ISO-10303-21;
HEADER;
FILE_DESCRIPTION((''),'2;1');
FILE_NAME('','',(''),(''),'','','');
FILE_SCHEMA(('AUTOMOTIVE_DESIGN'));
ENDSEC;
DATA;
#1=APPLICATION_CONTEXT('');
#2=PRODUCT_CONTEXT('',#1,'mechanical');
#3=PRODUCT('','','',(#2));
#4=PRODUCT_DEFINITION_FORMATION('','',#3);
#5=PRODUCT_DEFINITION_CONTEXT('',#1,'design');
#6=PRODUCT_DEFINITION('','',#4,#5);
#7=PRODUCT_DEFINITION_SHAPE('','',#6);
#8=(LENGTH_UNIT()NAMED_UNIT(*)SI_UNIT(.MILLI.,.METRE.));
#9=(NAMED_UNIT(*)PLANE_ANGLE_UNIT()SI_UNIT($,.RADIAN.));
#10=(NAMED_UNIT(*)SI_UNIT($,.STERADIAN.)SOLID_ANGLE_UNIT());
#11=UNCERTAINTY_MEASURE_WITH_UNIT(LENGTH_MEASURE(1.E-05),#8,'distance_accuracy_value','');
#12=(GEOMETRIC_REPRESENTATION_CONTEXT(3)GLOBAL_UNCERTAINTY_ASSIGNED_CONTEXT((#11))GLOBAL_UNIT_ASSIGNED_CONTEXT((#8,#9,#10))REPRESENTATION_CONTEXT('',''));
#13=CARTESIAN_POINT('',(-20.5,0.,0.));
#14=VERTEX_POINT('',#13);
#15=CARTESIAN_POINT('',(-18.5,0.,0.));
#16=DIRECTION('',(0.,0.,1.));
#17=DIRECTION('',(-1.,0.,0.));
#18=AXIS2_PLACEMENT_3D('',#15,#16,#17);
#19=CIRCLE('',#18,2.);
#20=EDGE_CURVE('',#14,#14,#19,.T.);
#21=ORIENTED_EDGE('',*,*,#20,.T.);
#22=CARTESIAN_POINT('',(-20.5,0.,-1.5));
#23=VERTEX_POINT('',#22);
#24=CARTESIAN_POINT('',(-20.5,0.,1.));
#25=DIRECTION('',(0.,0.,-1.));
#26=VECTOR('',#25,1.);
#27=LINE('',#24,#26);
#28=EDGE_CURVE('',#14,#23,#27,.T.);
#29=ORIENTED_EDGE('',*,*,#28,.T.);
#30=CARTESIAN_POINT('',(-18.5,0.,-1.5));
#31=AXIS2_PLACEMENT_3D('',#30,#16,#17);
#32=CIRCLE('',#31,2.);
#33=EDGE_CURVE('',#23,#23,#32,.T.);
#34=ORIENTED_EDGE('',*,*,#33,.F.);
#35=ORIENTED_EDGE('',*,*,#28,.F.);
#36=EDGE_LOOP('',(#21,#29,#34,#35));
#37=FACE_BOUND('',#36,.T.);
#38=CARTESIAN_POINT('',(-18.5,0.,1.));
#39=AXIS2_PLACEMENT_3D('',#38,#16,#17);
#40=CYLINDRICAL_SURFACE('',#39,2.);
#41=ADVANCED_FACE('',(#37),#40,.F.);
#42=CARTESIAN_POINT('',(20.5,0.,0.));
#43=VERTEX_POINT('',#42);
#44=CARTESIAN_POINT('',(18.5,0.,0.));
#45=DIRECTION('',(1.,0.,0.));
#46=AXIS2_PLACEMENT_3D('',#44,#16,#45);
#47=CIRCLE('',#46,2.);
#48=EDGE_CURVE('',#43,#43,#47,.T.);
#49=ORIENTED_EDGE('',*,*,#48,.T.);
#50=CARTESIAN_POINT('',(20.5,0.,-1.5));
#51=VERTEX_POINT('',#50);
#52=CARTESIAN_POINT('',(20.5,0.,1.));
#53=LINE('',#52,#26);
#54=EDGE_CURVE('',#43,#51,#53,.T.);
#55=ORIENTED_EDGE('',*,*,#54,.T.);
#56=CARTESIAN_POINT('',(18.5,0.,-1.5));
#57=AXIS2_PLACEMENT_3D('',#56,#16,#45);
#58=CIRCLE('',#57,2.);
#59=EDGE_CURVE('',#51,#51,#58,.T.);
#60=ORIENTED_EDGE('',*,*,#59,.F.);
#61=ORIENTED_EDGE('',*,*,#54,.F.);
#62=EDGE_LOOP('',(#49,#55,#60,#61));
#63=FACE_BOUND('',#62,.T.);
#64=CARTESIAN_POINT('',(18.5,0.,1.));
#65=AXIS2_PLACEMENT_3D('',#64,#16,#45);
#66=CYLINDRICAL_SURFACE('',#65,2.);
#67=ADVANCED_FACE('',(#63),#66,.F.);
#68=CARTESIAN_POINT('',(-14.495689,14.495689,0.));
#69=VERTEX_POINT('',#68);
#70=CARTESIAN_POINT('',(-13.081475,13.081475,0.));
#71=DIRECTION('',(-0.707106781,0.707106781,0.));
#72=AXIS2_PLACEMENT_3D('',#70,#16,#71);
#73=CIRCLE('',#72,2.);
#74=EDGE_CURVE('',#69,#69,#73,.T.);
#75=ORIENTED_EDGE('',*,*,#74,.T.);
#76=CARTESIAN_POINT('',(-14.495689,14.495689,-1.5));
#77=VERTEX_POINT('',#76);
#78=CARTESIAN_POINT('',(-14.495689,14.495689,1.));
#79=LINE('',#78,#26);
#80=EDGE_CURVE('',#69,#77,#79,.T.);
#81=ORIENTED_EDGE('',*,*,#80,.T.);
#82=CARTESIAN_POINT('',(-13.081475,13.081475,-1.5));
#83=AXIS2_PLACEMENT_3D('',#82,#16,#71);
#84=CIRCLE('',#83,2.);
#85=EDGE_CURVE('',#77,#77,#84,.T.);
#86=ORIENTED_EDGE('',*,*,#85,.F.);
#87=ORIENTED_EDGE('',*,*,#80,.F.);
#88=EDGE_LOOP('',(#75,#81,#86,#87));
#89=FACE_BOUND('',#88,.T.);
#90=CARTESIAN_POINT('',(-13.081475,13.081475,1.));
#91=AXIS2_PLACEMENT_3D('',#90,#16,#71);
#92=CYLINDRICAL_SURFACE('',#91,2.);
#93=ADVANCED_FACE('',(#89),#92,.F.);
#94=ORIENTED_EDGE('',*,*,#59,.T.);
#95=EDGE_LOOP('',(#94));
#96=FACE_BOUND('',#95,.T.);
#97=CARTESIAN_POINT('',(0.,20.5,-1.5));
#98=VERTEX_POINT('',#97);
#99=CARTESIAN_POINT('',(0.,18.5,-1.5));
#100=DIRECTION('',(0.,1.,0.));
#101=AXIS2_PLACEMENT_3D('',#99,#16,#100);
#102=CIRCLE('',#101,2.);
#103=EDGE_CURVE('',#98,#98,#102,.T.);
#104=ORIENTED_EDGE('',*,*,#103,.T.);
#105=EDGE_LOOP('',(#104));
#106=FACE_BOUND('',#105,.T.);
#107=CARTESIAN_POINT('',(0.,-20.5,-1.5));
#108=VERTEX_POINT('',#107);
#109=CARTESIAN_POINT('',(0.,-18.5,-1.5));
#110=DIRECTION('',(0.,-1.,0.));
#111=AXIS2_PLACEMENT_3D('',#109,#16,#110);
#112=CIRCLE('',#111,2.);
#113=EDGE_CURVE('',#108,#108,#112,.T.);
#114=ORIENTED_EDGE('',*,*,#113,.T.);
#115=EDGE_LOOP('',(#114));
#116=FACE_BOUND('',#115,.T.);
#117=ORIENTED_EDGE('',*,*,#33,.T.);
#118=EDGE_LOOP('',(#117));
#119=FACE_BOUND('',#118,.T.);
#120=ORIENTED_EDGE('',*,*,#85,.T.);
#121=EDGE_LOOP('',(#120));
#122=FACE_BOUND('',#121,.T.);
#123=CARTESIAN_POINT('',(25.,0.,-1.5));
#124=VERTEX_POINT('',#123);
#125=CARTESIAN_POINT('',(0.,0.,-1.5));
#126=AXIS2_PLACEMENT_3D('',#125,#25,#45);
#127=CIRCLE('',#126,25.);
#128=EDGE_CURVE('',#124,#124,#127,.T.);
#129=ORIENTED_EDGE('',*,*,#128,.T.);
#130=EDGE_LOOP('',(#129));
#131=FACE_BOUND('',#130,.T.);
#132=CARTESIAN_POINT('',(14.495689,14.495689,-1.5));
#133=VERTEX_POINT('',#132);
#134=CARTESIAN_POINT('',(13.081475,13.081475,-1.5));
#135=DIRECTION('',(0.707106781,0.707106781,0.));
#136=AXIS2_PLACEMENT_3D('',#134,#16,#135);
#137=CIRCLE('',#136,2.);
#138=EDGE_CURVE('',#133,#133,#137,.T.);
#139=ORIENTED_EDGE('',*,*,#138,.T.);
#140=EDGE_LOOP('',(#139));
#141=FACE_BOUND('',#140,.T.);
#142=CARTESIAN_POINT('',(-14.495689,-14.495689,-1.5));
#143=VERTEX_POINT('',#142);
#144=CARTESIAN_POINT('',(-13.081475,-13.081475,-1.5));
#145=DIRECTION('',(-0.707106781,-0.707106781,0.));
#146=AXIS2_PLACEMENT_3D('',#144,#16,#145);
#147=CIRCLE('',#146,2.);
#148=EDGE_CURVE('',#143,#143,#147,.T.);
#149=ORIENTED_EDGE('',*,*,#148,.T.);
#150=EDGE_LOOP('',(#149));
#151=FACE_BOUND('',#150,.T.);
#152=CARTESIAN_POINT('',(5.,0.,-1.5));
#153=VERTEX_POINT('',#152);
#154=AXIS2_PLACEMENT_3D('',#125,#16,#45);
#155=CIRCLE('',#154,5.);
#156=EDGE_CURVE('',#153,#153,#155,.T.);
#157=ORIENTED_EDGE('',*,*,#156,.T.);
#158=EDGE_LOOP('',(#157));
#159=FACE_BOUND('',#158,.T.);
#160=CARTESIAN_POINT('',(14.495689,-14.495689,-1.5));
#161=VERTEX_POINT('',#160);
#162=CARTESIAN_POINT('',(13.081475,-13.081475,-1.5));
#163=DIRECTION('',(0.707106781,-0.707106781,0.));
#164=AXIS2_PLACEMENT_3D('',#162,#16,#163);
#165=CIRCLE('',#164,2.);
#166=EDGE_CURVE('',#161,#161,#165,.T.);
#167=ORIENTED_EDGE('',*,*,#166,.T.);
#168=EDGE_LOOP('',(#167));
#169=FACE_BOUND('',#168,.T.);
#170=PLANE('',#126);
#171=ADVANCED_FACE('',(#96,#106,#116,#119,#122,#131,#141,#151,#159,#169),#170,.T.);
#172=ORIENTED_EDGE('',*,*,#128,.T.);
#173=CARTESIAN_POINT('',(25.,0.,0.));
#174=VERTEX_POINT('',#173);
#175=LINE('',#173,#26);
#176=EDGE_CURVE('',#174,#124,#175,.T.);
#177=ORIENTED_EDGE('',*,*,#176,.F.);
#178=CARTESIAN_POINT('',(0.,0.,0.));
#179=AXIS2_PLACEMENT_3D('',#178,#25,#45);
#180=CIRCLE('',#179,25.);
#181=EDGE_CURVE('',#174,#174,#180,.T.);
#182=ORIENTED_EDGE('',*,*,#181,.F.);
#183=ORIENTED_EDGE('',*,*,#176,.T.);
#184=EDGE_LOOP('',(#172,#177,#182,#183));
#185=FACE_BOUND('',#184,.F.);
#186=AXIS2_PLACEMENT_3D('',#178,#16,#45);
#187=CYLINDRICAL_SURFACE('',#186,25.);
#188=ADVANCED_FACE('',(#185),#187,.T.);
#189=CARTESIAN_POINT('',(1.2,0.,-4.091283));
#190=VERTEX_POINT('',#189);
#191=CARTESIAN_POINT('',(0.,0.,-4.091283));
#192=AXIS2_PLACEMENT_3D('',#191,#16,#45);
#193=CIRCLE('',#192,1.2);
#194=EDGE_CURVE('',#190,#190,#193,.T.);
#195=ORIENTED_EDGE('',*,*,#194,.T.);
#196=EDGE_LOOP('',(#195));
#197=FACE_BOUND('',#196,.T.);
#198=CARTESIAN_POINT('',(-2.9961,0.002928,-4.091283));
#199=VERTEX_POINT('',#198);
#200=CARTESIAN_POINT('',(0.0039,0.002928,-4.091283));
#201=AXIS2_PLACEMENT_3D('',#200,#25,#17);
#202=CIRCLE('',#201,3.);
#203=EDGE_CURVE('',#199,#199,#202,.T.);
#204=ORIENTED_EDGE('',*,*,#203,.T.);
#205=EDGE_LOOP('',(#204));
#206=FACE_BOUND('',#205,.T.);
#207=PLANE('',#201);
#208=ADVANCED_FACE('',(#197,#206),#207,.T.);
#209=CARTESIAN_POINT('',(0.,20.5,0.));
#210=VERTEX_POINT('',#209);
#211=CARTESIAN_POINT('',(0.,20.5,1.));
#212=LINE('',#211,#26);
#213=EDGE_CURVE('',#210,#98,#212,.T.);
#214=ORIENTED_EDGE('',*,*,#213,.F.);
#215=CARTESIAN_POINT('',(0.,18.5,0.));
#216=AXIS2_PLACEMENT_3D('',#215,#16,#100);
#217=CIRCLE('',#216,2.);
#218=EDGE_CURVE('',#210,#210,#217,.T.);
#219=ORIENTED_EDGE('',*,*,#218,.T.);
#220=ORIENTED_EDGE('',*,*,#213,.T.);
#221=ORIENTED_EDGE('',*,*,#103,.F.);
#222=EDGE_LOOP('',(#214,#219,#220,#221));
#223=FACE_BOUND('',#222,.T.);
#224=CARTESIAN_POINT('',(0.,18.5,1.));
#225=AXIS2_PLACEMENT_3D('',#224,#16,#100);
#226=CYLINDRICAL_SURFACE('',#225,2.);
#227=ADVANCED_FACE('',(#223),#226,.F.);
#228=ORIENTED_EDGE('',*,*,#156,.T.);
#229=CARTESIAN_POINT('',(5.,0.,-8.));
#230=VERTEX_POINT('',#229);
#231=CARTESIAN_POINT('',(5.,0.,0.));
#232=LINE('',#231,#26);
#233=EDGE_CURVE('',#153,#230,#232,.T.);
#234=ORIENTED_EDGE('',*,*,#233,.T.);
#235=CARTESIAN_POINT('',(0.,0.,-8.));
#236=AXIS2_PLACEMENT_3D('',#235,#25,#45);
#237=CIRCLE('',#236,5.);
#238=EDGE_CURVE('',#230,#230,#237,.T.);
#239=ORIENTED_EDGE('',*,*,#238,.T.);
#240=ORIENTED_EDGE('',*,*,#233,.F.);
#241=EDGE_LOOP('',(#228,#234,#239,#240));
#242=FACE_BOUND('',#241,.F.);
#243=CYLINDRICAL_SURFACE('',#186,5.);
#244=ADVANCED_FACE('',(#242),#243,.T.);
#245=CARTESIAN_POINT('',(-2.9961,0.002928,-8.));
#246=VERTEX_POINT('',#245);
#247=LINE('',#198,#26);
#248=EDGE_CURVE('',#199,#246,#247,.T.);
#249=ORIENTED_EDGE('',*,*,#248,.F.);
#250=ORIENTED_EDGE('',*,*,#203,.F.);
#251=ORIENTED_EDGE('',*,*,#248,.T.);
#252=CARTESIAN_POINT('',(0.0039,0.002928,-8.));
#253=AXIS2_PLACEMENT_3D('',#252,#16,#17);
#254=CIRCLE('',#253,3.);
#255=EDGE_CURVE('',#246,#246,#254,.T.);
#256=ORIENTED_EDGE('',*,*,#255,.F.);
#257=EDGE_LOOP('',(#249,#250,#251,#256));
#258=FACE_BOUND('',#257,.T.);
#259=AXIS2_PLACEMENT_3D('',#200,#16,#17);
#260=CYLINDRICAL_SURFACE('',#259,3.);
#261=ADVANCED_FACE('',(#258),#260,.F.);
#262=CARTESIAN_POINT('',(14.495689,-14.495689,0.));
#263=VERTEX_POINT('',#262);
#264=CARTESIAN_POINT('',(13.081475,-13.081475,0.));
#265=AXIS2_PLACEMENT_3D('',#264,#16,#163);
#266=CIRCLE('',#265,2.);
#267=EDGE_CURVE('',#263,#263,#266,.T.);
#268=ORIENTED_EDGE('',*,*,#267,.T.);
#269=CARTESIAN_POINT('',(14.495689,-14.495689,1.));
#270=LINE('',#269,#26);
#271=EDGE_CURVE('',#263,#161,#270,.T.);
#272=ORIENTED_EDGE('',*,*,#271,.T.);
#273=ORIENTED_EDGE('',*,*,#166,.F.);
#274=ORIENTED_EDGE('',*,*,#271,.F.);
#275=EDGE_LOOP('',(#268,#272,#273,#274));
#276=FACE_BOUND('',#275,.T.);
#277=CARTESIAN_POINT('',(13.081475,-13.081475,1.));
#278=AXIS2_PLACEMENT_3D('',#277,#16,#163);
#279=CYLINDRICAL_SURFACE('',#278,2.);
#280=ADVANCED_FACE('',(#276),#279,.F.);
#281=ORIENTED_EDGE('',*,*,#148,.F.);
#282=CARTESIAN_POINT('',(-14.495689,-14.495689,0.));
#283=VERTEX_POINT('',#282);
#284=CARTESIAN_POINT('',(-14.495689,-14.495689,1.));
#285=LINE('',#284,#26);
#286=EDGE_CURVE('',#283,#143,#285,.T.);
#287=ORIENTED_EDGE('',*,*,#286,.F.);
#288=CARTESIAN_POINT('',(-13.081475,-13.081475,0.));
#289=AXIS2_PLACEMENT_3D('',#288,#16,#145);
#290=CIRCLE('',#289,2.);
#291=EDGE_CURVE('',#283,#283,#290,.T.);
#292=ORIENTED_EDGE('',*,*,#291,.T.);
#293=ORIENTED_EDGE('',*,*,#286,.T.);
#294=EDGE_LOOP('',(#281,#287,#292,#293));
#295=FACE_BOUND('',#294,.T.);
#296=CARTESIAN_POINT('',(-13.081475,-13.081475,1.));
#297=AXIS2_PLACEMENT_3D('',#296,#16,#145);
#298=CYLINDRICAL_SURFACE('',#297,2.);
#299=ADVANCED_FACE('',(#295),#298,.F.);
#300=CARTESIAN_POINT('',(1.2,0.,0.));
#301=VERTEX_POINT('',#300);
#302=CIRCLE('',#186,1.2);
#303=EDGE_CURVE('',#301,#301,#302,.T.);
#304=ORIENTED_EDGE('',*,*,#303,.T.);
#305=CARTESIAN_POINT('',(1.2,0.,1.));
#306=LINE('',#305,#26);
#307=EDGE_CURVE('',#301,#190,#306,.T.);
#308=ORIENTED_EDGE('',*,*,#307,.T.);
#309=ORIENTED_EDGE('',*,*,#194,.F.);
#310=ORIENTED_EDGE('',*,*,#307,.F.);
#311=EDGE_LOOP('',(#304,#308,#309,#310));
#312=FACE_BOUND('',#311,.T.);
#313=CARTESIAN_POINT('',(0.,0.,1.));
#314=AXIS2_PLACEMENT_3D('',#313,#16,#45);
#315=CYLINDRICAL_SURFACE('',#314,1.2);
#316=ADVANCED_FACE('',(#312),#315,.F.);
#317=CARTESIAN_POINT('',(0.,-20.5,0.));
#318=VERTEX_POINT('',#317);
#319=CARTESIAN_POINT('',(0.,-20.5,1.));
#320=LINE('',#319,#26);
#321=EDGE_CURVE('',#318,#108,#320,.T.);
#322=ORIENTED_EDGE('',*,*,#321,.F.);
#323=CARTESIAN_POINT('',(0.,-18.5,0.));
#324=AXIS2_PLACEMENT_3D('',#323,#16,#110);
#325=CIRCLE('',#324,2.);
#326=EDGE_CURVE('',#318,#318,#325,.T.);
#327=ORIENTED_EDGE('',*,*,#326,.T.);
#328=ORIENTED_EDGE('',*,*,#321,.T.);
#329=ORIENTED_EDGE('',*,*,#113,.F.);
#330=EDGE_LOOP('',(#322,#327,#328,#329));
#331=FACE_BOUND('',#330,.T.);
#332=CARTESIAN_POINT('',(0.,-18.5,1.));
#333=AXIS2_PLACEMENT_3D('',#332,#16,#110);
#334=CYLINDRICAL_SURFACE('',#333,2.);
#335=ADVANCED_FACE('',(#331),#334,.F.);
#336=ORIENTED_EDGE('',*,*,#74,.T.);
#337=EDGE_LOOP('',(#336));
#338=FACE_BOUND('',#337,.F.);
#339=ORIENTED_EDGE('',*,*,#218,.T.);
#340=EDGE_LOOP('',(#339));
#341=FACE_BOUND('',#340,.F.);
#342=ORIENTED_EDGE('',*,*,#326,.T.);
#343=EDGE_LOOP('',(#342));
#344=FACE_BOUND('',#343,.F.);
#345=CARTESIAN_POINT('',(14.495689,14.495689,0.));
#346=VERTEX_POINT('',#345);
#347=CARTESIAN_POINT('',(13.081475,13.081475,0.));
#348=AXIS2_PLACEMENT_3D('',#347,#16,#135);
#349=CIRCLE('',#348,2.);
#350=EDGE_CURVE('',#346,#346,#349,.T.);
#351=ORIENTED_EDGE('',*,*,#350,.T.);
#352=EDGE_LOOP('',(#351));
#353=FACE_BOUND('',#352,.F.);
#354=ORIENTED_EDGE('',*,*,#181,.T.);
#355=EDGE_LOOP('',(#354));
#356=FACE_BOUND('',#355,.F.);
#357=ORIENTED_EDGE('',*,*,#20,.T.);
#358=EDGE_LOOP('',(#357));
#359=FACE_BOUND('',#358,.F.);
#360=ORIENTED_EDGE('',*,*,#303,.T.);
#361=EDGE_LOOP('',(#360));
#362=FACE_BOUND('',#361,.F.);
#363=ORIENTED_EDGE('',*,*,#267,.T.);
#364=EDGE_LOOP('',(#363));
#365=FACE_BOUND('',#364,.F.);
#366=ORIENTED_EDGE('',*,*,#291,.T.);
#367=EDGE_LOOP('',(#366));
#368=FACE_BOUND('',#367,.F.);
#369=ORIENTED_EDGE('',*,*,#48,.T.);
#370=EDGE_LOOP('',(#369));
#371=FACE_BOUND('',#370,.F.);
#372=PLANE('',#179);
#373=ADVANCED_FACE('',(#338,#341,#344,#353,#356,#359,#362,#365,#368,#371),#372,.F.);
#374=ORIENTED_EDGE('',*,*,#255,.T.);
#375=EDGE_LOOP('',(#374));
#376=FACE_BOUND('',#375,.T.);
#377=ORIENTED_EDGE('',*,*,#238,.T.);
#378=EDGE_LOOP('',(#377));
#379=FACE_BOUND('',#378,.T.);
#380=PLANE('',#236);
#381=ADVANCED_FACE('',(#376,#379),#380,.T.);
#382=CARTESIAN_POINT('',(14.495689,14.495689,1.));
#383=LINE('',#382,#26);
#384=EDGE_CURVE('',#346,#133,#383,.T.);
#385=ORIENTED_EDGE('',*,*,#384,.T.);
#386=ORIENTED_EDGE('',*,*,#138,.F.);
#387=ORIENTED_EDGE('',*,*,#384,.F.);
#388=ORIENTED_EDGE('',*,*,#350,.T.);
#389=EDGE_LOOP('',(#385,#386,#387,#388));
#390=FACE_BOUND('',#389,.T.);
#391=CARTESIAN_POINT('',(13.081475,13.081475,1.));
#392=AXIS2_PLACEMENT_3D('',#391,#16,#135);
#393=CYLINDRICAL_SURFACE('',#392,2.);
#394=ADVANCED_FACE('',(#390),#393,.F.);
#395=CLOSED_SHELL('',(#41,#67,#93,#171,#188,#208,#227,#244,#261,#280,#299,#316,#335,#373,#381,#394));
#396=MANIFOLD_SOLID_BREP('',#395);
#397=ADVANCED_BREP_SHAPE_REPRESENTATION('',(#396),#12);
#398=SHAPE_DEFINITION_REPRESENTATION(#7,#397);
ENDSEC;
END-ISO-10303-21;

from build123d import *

# Parameters (mm, degrees)
SKETCH002_R                 = 3
EXTRUDE002_DEPTH            = 6
CYLINDER049_R               = 1.2
CYLINDER049_DEPTH           = 19
CYLINDER014_R               = 2
CYLINDER014_DEPTH           = 5
CYLINDER014_PLACEMENT_ANGLE = 45
CYLINDER015_R               = 2
CYLINDER015_DEPTH           = 5
CYLINDER016_R               = 2
CYLINDER016_DEPTH           = 5
CYLINDER016_PLACEMENT_ANGLE = 135
CYLINDER017_R               = 2
CYLINDER017_DEPTH           = 5
CYLINDER018_R               = 2
CYLINDER018_DEPTH           = 5
CYLINDER018_PLACEMENT_ANGLE = 225
CYLINDER019_R               = 2
CYLINDER019_DEPTH           = 5
CYLINDER020_R               = 2
CYLINDER020_DEPTH           = 5
CYLINDER020_PLACEMENT_ANGLE = 45
CYLINDER013_R               = 2
CYLINDER013_DEPTH           = 5
CYLINDER021_R               = 5
CYLINDER021_DEPTH           = 8
CYLINDER012_R               = 25
CYLINDER012_DEPTH           = 1.5
CUT050_PLACEMENT_ANGLE      = 180


with BuildPart() as extrude002:
    # Sketch002 (on Face25 of Shape005) → Extrude002 (new body)
    with BuildSketch(Plane(origin=(85.664098, -4.553146, 1.091283), x_dir=(-1, 0, 0), z_dir=(0, 0, 1))):
        with Locations((9.450198, -0.000218)):
            Circle(SKETCH002_R)
    extrude(amount=EXTRUDE002_DEPTH)


with BuildPart() as extrude002_1:
    # Extrude002 placement: moved
    add(extrude002.part.moved(Location((-76.21, 4.55, 3))))


with BuildPart() as cylinder049:
    # Cylinder049 → Cylinder049 (new body)
    with BuildSketch(Plane.XY.offset(-1)):
        Circle(CYLINDER049_R)
    extrude(amount=CYLINDER049_DEPTH)


with BuildPart() as cylinder014:
    # cylinder014 → cylinder014 (new body)
    with BuildSketch(Plane.XY):
        Circle(CYLINDER014_R)
    extrude(amount=CYLINDER014_DEPTH)


with BuildPart() as cylinder014_1:
    # cylinder014 placement: moved
    add(cylinder014.part.moved(Location((13.081475, 13.081475, 0))).rotate(Axis((13.081475, 13.081475, 0), (0, 0, 1)), CYLINDER014_PLACEMENT_ANGLE))


with BuildPart() as cylinder015:
    # cylinder015 → cylinder015 (new body)
    with BuildSketch(Plane(origin=(0, 18.5, 0), x_dir=(0, 1, 0), z_dir=(0, 0, 1))):
        Circle(CYLINDER015_R)
    extrude(amount=CYLINDER015_DEPTH)


with BuildPart() as cylinder016:
    # cylinder016 → cylinder016 (new body)
    with BuildSketch(Plane.XY):
        Circle(CYLINDER016_R)
    extrude(amount=CYLINDER016_DEPTH)


with BuildPart() as cylinder016_1:
    # cylinder016 placement: moved
    add(cylinder016.part.moved(Location((-13.081475, 13.081475, 0))).rotate(Axis((-13.081475, 13.081475, 0), (0, 0, 1)), CYLINDER016_PLACEMENT_ANGLE))


with BuildPart() as cylinder017:
    # cylinder017 → cylinder017 (new body)
    with BuildSketch(Plane(origin=(-18.5, 0, 0), x_dir=(-1, 0, 0), z_dir=(0, 0, 1))):
        Circle(CYLINDER017_R)
    extrude(amount=CYLINDER017_DEPTH)


with BuildPart() as cylinder018:
    # cylinder018 → cylinder018 (new body)
    with BuildSketch(Plane.XY):
        Circle(CYLINDER018_R)
    extrude(amount=CYLINDER018_DEPTH)


with BuildPart() as cylinder018_1:
    # cylinder018 placement: moved
    add(cylinder018.part.moved(Location((-13.081475, -13.081475, 0))).rotate(Axis((-13.081475, -13.081475, 0), (0, 0, 1)), CYLINDER018_PLACEMENT_ANGLE))


with BuildPart() as cylinder019:
    # cylinder019 → cylinder019 (new body)
    with BuildSketch(Plane(origin=(0, -18.5, 0), x_dir=(0, -1, 0), z_dir=(0, 0, 1))):
        Circle(CYLINDER019_R)
    extrude(amount=CYLINDER019_DEPTH)


with BuildPart() as cylinder020:
    # cylinder020 → cylinder020 (new body)
    with BuildSketch(Plane.XY):
        Circle(CYLINDER020_R)
    extrude(amount=CYLINDER020_DEPTH)


with BuildPart() as cylinder020_1:
    # cylinder020 placement: moved
    add(cylinder020.part.moved(Location((13.081475, -13.081475, 0))).rotate(Axis((13.081475, -13.081475, 0), (0, 0, -1)), CYLINDER020_PLACEMENT_ANGLE))


with BuildPart() as fusion026:
    # cylinder013 → cylinder013 (new body)
    with BuildSketch(Plane(origin=(18.5, 0, 0), x_dir=(1, 0, 0), z_dir=(0, 0, 1))):
        Circle(CYLINDER013_R)
    extrude(amount=CYLINDER013_DEPTH)

    # Group001: union cylinder014, cylinder015, cylinder016, cylinder017, cylinder018, cylinder019, cylinder020
    add(cylinder014_1.part)
    add(cylinder015.part)
    add(cylinder016_1.part)
    add(cylinder017.part)
    add(cylinder018_1.part)
    add(cylinder019.part)
    add(cylinder020_1.part)


with BuildPart() as fusion026_1:
    # Group001 placement: moved
    add(fusion026.part.moved(Location((0, 0, -1))))

    # Fusion026: union Extrude002, Cylinder049
    add(extrude002_1.part)
    add(cylinder049.part)


with BuildPart() as servo_central_shaft002:
    # cylinder021 → cylinder021 (new body)
    with BuildSketch(Plane.XY):
        Circle(CYLINDER021_R)
    extrude(amount=CYLINDER021_DEPTH)


with BuildPart() as rotor001:
    # cylinder012 → cylinder012 (new body)
    with BuildSketch(Plane.XY):
        Circle(CYLINDER012_R)
    extrude(amount=CYLINDER012_DEPTH)

    # Fusion027: union servo_central_shaft002
    add(servo_central_shaft002.part)

    # Cut050: cut Fusion026
    add(fusion026_1.part, mode=Mode.SUBTRACT)


with BuildPart() as rotor001_1:
    # Cut050 placement: moved
    add(rotor001.part.rotate(Axis((0, 0, 0), (1, 0, 0)), CUT050_PLACEMENT_ANGLE))


solid = rotor001_1.part
